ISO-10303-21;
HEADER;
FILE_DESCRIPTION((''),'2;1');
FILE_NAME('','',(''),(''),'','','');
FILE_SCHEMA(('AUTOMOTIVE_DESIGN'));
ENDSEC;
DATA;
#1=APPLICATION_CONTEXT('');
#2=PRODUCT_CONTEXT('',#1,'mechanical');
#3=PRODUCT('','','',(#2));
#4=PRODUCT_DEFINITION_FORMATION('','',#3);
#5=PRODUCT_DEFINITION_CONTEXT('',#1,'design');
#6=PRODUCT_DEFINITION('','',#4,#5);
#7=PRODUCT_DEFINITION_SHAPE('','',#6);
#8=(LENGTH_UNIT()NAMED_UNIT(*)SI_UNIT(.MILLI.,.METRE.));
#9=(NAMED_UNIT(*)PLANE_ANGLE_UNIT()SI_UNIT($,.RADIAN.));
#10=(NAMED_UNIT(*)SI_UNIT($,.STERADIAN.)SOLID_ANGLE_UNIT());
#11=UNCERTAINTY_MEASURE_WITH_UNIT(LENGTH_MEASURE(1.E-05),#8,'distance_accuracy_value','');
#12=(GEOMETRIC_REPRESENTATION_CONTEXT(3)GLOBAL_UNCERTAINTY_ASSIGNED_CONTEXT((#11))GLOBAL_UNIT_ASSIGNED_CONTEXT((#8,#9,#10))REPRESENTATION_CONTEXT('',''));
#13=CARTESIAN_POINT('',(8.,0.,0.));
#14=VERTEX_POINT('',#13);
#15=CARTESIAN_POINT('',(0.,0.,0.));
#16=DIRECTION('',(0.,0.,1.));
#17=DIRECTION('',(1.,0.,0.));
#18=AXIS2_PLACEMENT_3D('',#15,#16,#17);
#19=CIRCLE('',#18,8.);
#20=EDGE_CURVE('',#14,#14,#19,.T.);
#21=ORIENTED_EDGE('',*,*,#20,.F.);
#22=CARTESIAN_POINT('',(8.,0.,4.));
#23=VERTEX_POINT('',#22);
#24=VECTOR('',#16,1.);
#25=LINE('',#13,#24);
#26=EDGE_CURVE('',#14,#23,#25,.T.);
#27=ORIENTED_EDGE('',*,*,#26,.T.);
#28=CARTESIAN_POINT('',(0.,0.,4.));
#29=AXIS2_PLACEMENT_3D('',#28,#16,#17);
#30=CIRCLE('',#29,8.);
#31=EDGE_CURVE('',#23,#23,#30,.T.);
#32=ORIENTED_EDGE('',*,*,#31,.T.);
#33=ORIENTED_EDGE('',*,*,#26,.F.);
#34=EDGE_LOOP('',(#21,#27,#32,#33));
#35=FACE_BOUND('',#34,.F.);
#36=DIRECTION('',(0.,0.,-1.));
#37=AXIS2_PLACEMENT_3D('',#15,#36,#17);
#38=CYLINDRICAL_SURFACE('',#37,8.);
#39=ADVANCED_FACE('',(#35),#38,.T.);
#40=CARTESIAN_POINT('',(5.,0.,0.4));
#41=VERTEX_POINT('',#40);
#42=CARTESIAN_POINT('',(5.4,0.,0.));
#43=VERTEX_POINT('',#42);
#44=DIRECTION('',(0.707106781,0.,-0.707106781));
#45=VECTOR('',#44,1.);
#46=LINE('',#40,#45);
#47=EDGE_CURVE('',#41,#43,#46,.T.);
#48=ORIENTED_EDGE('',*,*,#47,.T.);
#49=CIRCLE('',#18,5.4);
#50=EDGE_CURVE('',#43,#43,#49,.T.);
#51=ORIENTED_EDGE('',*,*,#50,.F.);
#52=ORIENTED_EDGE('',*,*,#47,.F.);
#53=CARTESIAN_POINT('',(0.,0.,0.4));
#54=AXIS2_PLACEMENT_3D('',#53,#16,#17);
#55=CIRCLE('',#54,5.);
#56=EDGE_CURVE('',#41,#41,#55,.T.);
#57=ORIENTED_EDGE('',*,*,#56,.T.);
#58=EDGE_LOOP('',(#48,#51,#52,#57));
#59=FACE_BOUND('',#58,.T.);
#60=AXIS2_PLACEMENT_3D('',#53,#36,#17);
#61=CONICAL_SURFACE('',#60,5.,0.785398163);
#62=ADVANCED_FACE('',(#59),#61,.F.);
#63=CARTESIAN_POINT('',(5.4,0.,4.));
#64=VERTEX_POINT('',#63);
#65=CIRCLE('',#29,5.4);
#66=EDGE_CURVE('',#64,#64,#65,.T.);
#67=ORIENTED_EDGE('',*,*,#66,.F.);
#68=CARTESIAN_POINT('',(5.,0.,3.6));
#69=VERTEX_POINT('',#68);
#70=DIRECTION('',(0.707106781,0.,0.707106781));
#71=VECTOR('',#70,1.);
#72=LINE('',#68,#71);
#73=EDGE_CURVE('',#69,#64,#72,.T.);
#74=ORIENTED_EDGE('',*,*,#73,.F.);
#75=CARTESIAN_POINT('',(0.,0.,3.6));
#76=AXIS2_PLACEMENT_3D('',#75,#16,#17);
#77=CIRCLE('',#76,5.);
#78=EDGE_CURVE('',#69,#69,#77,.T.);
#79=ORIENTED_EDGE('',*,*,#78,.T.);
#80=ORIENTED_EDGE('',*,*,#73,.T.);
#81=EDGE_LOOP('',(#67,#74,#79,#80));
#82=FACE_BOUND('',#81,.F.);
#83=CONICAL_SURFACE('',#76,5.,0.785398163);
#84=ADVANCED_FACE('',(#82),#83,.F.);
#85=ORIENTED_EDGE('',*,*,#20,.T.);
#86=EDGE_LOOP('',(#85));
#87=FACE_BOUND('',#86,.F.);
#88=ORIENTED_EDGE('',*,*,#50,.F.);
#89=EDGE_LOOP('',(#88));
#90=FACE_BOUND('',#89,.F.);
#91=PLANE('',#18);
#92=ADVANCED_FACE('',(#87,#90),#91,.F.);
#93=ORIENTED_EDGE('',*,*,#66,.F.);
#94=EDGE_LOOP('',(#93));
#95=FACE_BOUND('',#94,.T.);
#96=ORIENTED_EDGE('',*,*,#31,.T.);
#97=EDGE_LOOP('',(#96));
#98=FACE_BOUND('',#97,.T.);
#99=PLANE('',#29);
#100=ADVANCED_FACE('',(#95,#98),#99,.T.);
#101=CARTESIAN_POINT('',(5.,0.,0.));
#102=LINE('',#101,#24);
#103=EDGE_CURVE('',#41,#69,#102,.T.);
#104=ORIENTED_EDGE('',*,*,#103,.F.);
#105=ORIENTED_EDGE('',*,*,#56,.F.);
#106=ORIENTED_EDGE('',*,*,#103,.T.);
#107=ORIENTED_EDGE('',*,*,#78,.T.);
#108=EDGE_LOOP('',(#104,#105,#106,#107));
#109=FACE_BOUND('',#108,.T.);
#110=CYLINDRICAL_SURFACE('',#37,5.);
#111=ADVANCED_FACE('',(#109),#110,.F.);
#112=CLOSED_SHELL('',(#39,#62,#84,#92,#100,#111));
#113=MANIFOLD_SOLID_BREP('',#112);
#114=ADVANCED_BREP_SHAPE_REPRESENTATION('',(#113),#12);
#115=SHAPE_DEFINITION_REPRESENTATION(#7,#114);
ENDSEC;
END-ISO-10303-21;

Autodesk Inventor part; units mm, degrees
ref_plane "YZ Plane" through (0, 0, 0) normal (1, 0, 0) x (0, 1, 0)
ref_plane "XZ Plane" through (0, 0, 0) normal (0, 1, 0) x (-1, 0, 0)
ref_plane "XY Plane" through (0, 0, 0) normal (0, 0, 1) x (1, 0, 0)
sketch "Sketch1" plane through (0, 0, 0) normal (0, 0, 1) x (1, 0, 0)
  circle A0 centre (0, 0) radius 5
  circle A1 centre (0, 0) radius 8
  dimension "d0" = 10
  dimension "d1" = 16
extrude "Extrusion1" add sketch "Sketch1" along normal blind 4
thread "Thread1" size "M10x1.5" class "6H" standard "ANSI Metric M Profile" length 5.5
chamfer "Chamfer1" distance 0.4 angle 45 1 edges at (-5, 0, 4)
chamfer "Chamfer2" distance 0.4 angle 45 1 edges at (-5, 0, 0)
properties part number "nakretka-GM"
